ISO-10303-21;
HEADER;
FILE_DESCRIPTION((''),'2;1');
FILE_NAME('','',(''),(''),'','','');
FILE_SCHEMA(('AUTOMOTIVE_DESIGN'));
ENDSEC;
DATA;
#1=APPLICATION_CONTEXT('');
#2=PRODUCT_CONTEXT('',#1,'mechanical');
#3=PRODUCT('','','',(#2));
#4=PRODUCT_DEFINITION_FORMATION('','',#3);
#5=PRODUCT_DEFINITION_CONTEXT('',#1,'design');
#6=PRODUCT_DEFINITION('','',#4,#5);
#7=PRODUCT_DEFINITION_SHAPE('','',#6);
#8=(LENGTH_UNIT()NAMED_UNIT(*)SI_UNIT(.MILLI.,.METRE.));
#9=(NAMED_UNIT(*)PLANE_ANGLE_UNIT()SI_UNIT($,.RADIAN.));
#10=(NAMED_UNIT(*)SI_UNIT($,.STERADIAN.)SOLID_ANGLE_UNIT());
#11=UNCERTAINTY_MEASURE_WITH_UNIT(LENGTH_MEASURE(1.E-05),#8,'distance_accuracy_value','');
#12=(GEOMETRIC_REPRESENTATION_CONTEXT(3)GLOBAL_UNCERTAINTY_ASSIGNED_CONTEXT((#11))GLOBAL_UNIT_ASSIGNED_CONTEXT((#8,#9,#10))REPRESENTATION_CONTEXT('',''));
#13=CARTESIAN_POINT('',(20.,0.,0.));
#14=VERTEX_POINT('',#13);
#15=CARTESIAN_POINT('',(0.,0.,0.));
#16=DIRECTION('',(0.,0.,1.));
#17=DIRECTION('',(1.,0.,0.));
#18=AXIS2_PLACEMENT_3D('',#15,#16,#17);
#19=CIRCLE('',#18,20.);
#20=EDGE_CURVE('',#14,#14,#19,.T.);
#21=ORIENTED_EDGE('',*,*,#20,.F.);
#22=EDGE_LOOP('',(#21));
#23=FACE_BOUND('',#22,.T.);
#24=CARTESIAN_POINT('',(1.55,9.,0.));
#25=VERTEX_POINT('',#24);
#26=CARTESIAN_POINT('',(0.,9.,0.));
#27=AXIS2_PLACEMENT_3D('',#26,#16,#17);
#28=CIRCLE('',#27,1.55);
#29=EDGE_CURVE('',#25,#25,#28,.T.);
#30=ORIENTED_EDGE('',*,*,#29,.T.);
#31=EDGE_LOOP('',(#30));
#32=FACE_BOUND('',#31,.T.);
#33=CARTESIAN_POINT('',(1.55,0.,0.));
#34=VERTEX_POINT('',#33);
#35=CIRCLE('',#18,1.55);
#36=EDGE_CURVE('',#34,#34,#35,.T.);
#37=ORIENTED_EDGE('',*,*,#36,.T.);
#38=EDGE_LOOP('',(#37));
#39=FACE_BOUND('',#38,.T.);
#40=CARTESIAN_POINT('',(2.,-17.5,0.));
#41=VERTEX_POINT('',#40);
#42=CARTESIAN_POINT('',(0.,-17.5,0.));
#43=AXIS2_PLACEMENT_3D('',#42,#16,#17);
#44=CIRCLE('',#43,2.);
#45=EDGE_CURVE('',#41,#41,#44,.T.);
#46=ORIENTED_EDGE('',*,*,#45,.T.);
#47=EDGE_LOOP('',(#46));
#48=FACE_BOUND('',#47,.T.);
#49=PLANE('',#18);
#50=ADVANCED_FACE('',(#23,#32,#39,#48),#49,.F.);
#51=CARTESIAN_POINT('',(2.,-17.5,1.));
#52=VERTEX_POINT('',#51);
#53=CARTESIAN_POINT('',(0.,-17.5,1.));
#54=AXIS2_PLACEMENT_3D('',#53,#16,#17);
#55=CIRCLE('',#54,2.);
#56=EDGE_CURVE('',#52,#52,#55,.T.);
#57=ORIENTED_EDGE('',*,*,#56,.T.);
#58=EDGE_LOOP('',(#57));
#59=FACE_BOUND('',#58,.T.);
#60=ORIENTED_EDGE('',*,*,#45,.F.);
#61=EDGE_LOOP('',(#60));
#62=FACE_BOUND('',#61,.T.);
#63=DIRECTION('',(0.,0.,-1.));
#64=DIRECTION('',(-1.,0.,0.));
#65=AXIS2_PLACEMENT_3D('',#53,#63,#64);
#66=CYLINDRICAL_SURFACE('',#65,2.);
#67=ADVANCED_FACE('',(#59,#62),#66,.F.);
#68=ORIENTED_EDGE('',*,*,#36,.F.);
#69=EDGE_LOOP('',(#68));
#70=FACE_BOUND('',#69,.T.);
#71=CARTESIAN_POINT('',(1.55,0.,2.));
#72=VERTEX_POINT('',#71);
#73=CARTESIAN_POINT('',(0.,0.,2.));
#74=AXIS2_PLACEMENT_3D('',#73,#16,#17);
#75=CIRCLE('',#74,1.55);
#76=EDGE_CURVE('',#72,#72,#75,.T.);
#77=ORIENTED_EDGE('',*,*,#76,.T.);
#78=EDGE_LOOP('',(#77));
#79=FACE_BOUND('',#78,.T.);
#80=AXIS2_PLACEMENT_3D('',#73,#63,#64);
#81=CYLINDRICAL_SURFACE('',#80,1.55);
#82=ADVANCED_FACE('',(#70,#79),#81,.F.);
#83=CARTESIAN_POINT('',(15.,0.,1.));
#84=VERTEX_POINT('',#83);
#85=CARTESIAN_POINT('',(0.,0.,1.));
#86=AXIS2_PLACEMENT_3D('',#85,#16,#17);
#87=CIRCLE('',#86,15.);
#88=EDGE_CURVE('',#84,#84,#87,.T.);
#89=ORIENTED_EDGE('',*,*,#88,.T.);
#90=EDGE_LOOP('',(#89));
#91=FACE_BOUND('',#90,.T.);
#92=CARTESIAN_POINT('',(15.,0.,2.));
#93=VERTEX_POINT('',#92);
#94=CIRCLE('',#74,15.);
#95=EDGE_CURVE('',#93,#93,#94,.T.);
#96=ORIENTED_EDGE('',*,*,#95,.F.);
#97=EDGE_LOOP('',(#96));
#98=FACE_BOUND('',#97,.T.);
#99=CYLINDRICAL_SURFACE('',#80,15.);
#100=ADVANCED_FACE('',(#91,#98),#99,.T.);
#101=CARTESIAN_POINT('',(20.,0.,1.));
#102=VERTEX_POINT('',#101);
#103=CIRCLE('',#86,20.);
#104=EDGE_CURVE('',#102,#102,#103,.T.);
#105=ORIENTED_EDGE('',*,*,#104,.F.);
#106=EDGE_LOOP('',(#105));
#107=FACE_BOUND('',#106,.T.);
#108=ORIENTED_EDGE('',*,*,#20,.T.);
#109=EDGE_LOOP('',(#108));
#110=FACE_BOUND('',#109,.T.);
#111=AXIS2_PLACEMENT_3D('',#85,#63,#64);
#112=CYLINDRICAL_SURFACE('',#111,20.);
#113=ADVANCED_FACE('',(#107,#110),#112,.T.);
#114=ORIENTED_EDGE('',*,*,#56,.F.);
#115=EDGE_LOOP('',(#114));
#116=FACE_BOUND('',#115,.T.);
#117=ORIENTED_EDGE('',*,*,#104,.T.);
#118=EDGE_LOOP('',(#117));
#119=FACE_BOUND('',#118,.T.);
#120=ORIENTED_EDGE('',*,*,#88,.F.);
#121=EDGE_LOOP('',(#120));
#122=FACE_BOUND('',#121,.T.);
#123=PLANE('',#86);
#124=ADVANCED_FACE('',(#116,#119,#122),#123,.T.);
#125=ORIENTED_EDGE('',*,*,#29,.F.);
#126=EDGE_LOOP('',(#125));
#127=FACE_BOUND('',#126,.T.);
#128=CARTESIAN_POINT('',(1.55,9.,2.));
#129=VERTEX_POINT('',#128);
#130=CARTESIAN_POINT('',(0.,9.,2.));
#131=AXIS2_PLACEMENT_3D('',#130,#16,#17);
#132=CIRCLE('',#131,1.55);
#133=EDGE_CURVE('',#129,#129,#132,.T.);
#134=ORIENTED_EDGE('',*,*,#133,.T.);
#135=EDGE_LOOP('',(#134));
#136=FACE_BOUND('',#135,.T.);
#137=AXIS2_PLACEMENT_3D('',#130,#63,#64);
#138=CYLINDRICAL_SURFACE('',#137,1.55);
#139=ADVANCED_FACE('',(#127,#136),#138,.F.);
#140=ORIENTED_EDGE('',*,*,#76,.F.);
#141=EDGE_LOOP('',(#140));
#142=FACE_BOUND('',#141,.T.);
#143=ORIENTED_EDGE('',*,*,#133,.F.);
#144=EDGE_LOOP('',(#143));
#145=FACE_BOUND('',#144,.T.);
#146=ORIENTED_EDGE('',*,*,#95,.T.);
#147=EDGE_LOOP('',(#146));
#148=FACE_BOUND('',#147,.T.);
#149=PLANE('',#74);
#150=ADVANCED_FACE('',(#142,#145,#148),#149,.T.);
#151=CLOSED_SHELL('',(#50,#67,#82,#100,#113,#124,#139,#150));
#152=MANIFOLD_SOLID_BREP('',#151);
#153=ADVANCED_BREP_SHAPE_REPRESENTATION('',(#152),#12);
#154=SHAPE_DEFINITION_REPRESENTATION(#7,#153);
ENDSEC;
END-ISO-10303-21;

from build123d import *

# Parameters (mm, degrees)
SKETCH1_R           = 20
SKETCH1_R_2         = 2
SKETCH1_R_3         = 15
BOSS_EXTRUDE1_DEPTH = 1
SKETCH1_4_R         = 15
SKETCH1_4_R_2       = 1.55
BOSS_EXTRUDE2_DEPTH = 2


with BuildPart() as part:
    # Sketch1 → Boss-Extrude1 (new body)
    with BuildSketch(Plane(origin=(0, 0, 0), x_dir=(0, 1, 0), z_dir=(0, 0, 1))):
        Circle(SKETCH1_R)
        with Locations((-17.5, 0)):
            Circle(SKETCH1_R_2, mode=Mode.SUBTRACT)
        Circle(SKETCH1_R_3, mode=Mode.SUBTRACT)
    extrude(amount=BOSS_EXTRUDE1_DEPTH)

    # Sketch1<4> → Boss-Extrude2 (add)
    with BuildSketch(Plane(origin=(0, 0, 0), x_dir=(0, 1, 0), z_dir=(0, 0, 1))):
        Circle(SKETCH1_4_R)
        Circle(SKETCH1_4_R_2, mode=Mode.SUBTRACT)
        with Locations((9, 0)):
            Circle(SKETCH1_4_R_2, mode=Mode.SUBTRACT)
    extrude(amount=BOSS_EXTRUDE2_DEPTH)


solid = part.part
